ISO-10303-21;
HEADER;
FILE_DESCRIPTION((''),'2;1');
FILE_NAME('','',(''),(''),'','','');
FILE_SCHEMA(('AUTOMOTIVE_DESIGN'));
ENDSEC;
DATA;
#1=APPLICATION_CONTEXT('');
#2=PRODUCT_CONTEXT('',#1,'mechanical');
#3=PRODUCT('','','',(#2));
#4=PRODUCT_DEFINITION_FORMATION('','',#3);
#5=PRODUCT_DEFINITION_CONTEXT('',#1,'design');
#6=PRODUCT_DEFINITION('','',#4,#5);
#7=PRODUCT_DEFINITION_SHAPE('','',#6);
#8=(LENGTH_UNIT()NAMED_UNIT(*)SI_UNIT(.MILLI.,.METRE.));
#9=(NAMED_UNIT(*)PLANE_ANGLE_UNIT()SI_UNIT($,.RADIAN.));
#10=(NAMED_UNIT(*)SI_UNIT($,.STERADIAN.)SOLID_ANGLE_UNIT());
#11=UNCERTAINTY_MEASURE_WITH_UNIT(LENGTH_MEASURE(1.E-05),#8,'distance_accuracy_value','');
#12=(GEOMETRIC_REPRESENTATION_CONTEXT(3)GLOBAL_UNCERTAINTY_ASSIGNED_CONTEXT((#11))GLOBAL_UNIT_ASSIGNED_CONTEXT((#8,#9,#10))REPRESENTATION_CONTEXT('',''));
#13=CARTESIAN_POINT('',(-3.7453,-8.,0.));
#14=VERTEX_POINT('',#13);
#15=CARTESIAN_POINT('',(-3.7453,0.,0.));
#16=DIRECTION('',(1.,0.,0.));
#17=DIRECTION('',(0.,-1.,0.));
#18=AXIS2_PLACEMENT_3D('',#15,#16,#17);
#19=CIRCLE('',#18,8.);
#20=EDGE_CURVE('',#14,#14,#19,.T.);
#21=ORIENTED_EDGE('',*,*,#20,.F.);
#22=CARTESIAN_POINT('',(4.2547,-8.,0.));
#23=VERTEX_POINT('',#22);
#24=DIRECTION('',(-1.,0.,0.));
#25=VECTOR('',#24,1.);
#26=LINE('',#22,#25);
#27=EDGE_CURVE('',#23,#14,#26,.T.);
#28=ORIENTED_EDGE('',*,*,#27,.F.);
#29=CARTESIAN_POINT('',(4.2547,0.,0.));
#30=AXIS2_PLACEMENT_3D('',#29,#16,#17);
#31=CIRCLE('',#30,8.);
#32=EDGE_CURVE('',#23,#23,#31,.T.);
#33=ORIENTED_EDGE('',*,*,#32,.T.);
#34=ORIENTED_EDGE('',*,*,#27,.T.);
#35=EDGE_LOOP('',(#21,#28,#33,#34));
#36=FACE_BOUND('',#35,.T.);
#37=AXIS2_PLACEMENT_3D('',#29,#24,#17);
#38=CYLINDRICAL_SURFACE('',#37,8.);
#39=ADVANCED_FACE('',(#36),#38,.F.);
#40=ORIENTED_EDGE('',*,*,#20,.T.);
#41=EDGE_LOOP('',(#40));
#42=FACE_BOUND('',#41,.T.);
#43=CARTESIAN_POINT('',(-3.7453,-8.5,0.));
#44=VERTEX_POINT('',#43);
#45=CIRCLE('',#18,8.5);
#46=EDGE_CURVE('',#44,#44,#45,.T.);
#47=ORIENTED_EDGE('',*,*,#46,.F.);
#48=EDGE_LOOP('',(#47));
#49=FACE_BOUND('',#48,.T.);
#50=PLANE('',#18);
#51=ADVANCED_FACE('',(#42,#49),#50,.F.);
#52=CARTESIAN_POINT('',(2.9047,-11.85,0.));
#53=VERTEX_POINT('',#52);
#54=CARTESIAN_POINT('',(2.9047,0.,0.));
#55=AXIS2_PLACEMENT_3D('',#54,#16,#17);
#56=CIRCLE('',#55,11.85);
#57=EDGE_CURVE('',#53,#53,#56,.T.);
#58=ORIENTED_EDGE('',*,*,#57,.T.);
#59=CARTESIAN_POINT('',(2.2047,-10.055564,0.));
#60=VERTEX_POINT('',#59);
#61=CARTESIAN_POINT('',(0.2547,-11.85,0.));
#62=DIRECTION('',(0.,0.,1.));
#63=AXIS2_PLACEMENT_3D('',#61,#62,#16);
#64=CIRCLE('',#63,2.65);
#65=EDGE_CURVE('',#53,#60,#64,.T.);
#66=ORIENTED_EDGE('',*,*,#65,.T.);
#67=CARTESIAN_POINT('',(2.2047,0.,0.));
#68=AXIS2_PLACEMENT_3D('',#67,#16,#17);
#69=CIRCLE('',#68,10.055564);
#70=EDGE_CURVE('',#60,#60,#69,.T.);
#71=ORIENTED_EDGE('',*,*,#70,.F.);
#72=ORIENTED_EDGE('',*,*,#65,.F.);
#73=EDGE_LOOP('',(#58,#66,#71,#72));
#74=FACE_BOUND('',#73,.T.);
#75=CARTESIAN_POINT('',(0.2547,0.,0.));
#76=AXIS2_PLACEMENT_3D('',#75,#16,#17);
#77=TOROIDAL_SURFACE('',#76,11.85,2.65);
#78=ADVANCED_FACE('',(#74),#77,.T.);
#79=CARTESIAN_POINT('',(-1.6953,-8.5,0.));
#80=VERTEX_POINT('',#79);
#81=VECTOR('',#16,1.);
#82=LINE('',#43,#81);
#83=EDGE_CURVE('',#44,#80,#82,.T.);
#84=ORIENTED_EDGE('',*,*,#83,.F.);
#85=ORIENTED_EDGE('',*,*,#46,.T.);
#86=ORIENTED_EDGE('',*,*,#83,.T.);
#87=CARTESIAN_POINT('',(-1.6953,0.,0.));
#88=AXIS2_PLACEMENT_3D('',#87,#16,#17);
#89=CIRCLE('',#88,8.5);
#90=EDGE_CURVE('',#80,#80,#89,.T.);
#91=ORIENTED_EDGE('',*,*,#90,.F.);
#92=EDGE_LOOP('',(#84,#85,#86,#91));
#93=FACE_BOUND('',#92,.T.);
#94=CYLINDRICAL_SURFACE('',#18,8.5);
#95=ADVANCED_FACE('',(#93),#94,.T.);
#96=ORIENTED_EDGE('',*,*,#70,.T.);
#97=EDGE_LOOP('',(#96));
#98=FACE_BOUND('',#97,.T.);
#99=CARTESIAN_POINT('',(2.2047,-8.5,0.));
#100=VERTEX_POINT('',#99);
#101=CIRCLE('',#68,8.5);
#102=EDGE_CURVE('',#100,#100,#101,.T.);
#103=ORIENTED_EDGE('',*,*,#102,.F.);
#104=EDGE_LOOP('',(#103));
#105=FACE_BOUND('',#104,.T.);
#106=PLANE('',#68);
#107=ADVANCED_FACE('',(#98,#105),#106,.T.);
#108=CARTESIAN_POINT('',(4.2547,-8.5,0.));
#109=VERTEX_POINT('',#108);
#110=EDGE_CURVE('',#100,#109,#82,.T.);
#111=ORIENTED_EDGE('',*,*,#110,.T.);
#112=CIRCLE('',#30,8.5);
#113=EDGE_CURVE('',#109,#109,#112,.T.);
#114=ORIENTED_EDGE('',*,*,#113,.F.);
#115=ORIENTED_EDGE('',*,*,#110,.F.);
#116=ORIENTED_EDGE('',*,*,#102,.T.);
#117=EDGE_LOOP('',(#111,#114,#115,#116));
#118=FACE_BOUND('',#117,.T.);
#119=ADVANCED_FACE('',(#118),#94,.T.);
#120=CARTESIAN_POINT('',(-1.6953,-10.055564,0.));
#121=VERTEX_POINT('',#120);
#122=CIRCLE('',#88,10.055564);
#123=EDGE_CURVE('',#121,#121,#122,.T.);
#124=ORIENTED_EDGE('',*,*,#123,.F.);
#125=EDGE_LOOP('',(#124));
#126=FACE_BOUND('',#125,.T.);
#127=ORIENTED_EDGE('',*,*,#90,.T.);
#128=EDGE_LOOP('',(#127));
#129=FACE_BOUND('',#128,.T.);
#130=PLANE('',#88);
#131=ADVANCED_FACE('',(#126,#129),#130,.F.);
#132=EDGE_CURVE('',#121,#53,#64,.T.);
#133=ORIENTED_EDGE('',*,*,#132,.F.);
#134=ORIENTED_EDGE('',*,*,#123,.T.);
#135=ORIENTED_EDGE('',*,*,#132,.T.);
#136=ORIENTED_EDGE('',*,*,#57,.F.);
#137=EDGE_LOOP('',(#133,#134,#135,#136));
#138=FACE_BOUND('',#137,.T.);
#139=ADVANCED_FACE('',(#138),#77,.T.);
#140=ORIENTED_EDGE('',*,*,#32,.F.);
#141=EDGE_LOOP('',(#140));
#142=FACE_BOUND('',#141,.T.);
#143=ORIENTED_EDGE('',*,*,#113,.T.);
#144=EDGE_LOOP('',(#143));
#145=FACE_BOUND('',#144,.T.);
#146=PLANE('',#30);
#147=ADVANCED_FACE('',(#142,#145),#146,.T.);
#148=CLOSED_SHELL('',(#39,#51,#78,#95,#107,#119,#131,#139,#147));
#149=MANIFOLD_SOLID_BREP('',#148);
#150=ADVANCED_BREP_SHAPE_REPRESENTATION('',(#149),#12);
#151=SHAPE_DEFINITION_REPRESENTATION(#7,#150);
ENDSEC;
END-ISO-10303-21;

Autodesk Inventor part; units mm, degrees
ref_plane "YZ Plane" through (0, 0, 0) normal (1, 0, 0) x (0, 1, 0)
ref_plane "XZ Plane" through (0, 0, 0) normal (0, 1, 0) x (-1, 0, 0)
ref_plane "XY Plane" through (0, 0, 0) normal (0, 0, 1) x (1, 0, 0)
sketch "草圖1" plane through (0, 0, 0) normal (0, 0, 1) x (1, 0, 0)
  line L0 (0, 0) -> (81.1128, 0)
  line L1 (4.2547, -8) -> (-3.7453, -8)
  line L2 (-3.7453, -8) -> (-3.7453, -8.5)
  line L3 (-3.7453, -8.5) -> (4.2547, -8.5)
  line L4 (4.2547, -8.5) -> (4.2547, -8)
  line L5 (2.2047, -8.5) -> (-1.6953, -8.5)
  line L6 (-1.6953, -8.5) -> (-1.6953, -11.5)
  line L7 (-1.6953, -11.5) -> (2.2047, -11.5)
  line L8 (2.2047, -11.5) -> (2.2047, -8.5)
  circle A0 centre (0.2547, -11.85) radius 2.65
  point P0 (0.2547, -14.5)
  dimension "d8" = 5.3
  dimension "d0" = 8
  dimension "d1" = 3.9
  dimension "d2" = 2.05
  dimension "d3" = 1.95
  dimension "d4" = 16
  dimension "d5" = 17
  dimension "d6" = 3
  dimension "d10" = 29
revolve "迴轉1" add sketch "草圖1" angle 360 about axis through (0, 0, 0) along (1, 0, 0)
equation "\"d2\" = -0.5 * d1 + 0.5 * d0"
properties part number "間隔O形環"
